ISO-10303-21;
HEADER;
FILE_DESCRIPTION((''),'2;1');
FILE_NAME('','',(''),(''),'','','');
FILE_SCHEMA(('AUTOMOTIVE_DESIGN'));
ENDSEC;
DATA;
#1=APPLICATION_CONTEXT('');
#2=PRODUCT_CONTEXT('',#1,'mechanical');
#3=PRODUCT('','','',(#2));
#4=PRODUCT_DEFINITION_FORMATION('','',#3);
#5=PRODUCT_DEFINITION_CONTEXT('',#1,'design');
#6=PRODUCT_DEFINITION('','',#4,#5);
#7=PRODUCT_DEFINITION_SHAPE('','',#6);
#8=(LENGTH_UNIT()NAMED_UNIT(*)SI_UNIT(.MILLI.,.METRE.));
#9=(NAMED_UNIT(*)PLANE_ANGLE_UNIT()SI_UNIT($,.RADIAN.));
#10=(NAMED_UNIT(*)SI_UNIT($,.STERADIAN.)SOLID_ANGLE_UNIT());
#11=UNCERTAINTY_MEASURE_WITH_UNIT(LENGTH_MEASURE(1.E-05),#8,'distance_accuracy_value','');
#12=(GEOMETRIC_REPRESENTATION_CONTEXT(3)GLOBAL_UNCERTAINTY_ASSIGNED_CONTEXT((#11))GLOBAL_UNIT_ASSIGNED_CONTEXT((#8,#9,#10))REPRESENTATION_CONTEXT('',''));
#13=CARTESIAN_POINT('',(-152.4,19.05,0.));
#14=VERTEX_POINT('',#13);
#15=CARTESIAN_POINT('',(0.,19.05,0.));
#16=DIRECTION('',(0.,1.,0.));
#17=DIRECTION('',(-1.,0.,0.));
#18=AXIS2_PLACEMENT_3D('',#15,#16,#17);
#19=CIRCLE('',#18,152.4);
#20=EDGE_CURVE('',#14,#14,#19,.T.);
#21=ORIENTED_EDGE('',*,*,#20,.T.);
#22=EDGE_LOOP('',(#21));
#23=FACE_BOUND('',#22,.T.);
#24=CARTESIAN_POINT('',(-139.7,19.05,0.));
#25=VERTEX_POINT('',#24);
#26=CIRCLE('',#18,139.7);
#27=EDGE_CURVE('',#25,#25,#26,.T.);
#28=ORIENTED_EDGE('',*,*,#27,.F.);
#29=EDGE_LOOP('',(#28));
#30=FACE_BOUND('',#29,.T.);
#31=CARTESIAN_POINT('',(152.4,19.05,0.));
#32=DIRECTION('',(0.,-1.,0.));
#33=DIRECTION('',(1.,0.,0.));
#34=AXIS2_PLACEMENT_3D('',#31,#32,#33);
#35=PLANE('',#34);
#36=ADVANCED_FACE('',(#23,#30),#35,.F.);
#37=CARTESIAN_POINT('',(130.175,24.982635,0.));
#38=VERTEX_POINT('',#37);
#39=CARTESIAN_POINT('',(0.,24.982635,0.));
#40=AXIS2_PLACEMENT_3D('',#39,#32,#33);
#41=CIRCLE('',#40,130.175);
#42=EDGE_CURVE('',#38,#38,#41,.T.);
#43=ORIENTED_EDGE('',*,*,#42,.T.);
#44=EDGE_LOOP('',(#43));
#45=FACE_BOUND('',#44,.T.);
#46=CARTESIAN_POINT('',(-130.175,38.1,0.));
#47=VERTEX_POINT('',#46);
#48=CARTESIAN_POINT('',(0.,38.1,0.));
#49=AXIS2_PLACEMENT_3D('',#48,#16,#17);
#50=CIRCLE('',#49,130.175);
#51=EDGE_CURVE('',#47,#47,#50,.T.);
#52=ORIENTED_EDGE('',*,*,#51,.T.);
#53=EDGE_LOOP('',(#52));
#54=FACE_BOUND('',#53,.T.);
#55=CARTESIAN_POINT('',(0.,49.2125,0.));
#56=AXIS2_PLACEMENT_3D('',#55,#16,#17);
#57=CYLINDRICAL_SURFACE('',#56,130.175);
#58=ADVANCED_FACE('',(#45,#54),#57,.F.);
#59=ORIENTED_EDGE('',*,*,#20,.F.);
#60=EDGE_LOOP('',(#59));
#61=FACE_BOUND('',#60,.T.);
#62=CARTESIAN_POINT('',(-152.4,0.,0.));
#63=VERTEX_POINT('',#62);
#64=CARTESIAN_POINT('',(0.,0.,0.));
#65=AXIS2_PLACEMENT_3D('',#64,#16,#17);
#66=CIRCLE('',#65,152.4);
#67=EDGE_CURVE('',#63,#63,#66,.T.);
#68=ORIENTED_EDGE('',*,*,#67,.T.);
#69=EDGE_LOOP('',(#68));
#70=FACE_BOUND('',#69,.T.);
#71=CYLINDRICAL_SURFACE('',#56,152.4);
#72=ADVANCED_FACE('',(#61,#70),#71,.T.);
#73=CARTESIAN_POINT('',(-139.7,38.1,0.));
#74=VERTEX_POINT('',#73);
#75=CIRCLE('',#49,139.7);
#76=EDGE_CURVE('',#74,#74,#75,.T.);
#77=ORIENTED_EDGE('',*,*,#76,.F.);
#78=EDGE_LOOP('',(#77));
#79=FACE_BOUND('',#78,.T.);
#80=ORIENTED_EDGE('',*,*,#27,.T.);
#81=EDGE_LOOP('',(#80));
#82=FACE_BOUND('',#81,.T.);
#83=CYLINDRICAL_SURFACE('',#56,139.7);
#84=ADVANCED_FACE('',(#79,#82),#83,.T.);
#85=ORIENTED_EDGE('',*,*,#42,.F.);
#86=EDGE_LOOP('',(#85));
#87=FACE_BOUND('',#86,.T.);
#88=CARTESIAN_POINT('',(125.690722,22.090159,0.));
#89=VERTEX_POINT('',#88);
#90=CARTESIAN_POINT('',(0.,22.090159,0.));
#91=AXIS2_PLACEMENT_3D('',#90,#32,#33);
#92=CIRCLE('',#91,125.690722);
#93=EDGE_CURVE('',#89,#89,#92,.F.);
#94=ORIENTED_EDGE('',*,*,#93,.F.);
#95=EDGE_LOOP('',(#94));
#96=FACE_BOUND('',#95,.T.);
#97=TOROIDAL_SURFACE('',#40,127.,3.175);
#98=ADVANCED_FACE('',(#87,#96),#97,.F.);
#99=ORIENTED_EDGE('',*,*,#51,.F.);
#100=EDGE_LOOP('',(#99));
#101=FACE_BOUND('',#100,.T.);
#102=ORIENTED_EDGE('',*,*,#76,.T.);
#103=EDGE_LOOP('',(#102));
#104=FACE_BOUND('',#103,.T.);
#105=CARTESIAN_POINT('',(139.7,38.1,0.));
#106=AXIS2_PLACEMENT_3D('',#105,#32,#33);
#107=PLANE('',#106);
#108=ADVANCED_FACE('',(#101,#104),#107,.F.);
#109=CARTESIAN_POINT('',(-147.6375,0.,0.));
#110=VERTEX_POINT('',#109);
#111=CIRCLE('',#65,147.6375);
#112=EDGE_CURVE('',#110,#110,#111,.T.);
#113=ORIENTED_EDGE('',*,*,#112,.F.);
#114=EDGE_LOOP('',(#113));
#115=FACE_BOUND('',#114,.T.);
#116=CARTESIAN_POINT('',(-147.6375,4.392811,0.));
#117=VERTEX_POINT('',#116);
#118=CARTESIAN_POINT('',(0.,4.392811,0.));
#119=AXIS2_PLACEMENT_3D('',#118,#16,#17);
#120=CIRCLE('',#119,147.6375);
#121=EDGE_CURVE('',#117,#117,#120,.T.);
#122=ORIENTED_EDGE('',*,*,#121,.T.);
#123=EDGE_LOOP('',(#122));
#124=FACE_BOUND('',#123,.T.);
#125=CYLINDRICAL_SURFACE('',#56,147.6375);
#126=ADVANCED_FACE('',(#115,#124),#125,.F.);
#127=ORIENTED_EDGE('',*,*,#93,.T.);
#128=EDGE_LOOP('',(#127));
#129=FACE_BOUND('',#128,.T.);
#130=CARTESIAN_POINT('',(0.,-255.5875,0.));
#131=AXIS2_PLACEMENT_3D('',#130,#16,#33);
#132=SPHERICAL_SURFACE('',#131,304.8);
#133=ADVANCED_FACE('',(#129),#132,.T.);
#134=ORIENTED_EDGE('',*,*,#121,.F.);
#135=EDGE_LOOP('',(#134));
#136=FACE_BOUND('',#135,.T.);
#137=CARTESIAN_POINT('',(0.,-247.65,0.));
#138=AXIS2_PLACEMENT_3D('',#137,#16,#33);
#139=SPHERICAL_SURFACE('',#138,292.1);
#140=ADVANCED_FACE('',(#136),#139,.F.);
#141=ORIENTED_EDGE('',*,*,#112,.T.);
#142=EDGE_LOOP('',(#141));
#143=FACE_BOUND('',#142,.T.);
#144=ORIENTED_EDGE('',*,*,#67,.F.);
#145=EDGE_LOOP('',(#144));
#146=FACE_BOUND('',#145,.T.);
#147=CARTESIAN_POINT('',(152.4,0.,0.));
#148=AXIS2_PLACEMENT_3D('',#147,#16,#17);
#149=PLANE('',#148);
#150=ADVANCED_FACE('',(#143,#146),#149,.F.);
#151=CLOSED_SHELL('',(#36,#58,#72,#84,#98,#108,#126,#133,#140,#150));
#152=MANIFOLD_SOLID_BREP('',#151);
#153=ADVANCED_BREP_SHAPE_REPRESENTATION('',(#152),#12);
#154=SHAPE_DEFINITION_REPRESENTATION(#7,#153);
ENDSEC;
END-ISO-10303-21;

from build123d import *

# Parameters (mm, degrees)
FILLET1_R = 3.175


with BuildPart() as part:
    # Sketch1 → Revolve1 (revolve)
    with BuildSketch(Plane.XY):
        with BuildLine():
            Line((0, 49.2125), (0, 44.45))
            ThreePointArc((0, 44.45), (76.487596697, 34.257888417), (147.6375, 4.392811034))
            Line((147.6375, 4.392811034), (147.6375, 0))
            Line((147.6375, 0), (152.4, 0))
            Line((152.4, 0), (152.4, 19.05))
            Line((152.4, 19.05), (139.7, 19.05))
            Line((139.7, 19.05), (139.7, 38.1))
            Line((139.7, 38.1), (130.175, 38.1))
            Line((130.175, 38.1), (130.175, 20.016399419))
            ThreePointArc((130.175, 20.016399419), (66.704465582, 41.823922564), (0, 49.2125))
        make_face()
    revolve(axis=Axis((0, 49.2125, 0), (0, -1, 0)))

    # Fillet1
    fillet1_edges = [part.edges().sort_by_distance(p)[0] for p in [
        (-130.175, 20.016399419, 0),
    ]]
    fillet(fillet1_edges, radius=FILLET1_R)


solid = part.part
